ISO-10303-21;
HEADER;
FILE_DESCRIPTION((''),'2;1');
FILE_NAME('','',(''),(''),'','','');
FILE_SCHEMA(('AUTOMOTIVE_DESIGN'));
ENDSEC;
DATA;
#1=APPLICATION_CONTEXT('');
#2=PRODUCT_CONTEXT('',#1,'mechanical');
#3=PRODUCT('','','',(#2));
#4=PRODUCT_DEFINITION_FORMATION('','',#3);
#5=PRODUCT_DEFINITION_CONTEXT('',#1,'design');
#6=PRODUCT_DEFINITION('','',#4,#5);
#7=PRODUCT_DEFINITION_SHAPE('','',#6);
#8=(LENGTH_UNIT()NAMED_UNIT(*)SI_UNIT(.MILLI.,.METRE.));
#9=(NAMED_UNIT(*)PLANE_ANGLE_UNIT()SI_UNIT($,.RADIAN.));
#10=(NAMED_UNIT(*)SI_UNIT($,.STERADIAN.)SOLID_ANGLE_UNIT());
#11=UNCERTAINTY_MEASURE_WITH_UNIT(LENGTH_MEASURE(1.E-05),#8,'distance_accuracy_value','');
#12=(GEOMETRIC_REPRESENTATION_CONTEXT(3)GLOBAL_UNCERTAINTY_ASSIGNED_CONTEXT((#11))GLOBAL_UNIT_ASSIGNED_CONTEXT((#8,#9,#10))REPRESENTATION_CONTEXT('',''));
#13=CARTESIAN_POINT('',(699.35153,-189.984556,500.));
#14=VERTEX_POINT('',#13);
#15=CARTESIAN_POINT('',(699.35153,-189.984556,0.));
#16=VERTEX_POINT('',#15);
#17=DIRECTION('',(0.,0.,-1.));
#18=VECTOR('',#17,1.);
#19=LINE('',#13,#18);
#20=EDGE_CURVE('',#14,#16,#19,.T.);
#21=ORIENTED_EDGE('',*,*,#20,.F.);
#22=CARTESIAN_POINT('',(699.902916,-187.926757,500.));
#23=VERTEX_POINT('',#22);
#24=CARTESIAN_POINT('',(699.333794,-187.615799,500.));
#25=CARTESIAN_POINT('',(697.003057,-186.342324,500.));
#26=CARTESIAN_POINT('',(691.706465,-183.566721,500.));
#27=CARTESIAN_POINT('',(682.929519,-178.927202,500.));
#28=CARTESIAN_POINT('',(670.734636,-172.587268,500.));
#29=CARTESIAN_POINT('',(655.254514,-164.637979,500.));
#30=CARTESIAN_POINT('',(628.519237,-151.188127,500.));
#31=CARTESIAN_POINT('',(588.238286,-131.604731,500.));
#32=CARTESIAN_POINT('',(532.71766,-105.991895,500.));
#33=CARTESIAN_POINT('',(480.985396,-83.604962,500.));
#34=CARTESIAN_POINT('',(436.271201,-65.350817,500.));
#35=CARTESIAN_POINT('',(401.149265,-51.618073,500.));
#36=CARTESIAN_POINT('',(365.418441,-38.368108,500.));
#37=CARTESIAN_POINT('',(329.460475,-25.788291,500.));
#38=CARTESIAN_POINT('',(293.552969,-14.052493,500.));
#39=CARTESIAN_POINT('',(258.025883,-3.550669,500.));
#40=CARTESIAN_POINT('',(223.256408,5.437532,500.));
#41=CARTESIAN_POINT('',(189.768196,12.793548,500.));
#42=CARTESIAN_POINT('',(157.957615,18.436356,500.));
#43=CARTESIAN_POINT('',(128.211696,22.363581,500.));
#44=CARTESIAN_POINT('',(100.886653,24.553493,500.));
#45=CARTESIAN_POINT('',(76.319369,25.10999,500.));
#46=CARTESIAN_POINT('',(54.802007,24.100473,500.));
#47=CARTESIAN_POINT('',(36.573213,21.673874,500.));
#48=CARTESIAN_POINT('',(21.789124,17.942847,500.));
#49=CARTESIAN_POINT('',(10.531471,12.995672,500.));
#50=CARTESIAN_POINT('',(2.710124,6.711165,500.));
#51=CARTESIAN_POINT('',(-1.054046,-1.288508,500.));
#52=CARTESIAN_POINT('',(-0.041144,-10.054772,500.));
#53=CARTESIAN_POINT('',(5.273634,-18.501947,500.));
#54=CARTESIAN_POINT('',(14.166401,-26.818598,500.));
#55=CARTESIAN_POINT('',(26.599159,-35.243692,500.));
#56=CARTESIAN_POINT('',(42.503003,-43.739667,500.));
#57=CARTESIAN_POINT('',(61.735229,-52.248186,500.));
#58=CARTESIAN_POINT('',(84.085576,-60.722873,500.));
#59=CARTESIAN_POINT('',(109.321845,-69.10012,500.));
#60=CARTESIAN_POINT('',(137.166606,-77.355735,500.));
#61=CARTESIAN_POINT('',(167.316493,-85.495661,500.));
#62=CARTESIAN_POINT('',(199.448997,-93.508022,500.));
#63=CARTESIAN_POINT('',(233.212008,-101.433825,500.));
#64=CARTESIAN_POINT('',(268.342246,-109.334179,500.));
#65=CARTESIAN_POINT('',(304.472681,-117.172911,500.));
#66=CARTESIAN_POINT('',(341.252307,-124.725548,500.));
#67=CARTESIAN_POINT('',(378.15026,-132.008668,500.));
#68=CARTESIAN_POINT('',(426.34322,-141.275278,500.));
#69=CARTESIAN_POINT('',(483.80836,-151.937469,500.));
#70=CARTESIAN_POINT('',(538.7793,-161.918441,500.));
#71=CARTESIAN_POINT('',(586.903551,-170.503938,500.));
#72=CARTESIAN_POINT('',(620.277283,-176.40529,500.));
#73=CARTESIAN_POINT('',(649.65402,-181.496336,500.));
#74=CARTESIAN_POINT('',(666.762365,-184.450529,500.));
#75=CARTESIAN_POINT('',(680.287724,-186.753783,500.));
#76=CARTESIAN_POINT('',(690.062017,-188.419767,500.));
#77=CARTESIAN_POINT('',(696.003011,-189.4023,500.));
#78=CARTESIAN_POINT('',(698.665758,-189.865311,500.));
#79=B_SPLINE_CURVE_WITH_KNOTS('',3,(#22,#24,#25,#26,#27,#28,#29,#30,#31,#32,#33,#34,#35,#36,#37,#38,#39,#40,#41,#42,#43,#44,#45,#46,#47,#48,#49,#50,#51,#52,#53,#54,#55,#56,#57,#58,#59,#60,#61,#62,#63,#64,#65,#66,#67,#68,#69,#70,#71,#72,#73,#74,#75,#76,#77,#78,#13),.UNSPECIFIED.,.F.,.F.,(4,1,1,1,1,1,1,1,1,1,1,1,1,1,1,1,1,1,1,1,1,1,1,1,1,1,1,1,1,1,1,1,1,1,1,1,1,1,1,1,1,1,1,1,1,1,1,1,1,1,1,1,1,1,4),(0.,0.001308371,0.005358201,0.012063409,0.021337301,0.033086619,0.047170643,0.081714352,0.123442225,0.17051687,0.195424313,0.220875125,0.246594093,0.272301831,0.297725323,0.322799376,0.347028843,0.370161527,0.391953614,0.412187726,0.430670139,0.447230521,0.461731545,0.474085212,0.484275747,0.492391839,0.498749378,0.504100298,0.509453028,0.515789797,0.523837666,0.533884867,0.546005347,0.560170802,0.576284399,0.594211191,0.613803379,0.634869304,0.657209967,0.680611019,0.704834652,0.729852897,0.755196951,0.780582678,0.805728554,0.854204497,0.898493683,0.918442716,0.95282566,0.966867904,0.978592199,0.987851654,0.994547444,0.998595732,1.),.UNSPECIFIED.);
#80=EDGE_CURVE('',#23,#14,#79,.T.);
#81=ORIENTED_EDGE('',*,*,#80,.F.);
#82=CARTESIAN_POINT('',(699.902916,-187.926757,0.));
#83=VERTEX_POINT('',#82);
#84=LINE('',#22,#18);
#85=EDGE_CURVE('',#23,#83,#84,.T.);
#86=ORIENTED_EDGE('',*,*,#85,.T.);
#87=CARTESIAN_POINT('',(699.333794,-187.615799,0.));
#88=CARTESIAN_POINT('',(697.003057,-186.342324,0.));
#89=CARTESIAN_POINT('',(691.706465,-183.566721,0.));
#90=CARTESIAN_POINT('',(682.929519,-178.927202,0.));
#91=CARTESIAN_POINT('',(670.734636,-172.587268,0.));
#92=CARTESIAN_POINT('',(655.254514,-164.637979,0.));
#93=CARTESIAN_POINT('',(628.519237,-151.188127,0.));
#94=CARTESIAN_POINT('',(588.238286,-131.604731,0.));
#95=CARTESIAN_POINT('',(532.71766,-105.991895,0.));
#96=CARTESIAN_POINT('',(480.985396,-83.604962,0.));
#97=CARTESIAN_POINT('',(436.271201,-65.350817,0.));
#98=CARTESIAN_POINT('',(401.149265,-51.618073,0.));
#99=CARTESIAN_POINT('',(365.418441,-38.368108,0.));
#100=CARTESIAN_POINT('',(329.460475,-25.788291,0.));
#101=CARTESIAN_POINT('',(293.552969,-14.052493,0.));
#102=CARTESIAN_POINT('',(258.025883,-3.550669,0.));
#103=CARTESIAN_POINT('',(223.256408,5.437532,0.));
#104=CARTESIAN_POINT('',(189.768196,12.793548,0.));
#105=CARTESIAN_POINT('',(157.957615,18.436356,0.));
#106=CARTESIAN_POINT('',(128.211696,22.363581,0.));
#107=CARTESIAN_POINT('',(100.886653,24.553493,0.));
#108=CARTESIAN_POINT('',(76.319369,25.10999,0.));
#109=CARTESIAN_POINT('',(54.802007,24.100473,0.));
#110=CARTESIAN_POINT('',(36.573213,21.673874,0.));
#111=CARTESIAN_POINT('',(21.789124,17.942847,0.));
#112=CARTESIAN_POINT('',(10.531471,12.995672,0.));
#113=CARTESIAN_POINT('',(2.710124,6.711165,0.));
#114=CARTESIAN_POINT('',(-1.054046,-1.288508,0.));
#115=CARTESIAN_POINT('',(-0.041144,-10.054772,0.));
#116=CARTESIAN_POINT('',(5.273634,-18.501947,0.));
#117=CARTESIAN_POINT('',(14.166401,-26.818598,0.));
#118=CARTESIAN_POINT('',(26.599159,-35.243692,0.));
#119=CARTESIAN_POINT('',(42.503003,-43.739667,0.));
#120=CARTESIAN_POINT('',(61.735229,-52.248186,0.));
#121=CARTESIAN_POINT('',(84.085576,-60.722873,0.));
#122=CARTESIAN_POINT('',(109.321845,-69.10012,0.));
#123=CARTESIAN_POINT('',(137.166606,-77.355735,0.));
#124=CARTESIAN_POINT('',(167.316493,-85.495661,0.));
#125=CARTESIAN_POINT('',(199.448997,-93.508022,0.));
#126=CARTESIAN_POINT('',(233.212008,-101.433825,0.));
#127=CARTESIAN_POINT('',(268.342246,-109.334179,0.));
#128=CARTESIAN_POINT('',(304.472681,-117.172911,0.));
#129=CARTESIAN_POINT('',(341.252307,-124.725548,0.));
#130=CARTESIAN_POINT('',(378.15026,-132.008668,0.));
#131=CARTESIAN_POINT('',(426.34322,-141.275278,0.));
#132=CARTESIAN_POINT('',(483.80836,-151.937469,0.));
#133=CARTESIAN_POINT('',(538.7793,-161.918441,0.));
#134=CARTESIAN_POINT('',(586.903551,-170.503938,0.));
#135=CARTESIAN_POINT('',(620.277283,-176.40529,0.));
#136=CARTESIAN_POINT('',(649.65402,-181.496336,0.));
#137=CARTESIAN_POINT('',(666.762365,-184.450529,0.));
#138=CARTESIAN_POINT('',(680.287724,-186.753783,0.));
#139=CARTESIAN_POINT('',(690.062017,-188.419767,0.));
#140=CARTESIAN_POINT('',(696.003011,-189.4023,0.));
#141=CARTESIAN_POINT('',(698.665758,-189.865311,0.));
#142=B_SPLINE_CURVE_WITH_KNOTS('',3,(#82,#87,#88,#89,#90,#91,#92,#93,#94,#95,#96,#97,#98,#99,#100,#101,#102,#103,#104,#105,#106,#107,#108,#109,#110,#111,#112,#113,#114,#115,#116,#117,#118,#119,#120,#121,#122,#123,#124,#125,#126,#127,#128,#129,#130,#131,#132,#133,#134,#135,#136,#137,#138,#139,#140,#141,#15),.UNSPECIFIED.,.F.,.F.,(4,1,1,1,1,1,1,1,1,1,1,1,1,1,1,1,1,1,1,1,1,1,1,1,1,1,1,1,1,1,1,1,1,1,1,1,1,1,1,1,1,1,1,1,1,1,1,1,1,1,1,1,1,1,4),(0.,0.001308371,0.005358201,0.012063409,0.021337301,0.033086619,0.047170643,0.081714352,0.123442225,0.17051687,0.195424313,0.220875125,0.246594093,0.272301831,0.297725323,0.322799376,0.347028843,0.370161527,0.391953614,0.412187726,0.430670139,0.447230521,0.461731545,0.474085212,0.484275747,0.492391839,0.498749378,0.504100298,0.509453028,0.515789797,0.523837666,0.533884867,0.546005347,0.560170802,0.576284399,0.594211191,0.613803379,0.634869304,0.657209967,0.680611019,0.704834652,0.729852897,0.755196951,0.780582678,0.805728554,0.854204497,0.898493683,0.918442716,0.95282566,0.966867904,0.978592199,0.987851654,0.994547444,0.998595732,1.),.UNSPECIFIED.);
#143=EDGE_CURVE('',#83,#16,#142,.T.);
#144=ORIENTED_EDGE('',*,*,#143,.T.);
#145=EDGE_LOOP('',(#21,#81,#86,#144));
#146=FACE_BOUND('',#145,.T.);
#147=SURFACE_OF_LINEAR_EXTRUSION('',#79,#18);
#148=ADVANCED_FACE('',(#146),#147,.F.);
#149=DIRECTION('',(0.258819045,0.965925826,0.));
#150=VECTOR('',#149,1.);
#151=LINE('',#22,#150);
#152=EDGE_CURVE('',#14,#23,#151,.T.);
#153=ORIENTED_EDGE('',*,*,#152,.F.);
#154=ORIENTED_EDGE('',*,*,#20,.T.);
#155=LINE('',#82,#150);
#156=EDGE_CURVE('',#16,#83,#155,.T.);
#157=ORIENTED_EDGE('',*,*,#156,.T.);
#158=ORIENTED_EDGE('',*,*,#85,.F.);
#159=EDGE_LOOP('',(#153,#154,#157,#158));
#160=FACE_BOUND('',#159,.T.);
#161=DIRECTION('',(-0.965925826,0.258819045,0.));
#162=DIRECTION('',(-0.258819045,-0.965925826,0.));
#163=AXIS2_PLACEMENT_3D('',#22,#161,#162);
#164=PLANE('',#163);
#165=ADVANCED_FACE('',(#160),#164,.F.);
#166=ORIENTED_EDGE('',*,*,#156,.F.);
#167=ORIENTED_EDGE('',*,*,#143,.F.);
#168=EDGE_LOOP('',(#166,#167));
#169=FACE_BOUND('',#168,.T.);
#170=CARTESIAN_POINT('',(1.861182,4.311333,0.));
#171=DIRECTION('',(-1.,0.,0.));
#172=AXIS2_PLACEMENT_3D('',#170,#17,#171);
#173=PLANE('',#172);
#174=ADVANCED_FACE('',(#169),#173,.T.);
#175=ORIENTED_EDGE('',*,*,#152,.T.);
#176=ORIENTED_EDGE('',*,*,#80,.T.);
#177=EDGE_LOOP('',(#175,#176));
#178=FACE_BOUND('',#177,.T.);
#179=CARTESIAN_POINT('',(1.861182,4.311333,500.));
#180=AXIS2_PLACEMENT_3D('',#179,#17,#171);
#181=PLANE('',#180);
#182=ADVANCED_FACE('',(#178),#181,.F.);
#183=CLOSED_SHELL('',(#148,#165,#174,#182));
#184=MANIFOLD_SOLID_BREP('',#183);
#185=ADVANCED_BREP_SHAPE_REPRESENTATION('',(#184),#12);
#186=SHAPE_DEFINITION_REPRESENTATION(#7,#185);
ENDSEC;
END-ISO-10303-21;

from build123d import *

# Parameters (mm, degrees)
DODANIE_WYCI_GNI_CIE2_DEPTH = 500


with BuildPart() as part:
    # Szkic1 → Dodanie-wyciągnięcie2 (new body)
    with BuildSketch(Plane.XY):
        with BuildLine():
            Line((699.902915977, -187.926757208), (699.351530357, -189.984556357))
            add(Edge.make_bspline(
                [(699.902915977, -187.926757208), (699.333794344, -187.615798785), (697.003057499, -186.342323642), (691.706465499, -183.566720524), (682.929518691, -178.927202269), (670.734635911, -172.587268295), (655.254514276, -164.637979222), (628.519237017, -151.188127115), (588.2382858, -131.604730885), (532.717659996, -105.991894715), (480.985396172, -83.604961711), (436.271200745, -65.350816584), (401.149264546, -51.618072887), (365.418441055, -38.368108411), (329.46047528, -25.788291003), (293.552968994, -14.052492944), (258.02588302, -3.550668836), (223.256407786, 5.437532488), (189.76819649, 12.79354843), (157.957614771, 18.436356413), (128.211696153, 22.363581301), (100.886653181, 24.55349314), (76.319368996, 25.109989559), (54.802006759, 24.100472846), (36.5732127, 21.673874283), (21.789123743, 17.94284728), (10.531470943, 12.995671842), (2.710123932, 6.711164746), (-1.054045771, -1.288507775), (-0.041143615, -10.05477163), (5.273634228, -18.501947253), (14.166400909, -26.818597556), (26.599158793, -35.243691626), (42.503003424, -43.739666751), (61.735229334, -52.248186084), (84.085575822, -60.722872746), (109.321844713, -69.100119929), (137.166605657, -77.355735148), (167.316492874, -85.495660826), (199.448997482, -93.508022464), (233.212008302, -101.433824974), (268.342246073, -109.334179404), (304.472681481, -117.172911095), (341.252306909, -124.725547977), (378.15025982, -132.008668483), (426.343219841, -141.27527826), (483.808360162, -151.937469492), (538.779300071, -161.918440968), (586.903551236, -170.503937686), (620.27728308, -176.405289666), (649.654019662, -181.496335843), (666.76236497, -184.450528708), (680.28772408, -186.753782535), (690.062017241, -188.419767077), (696.003010613, -189.402300451), (698.665758079, -189.865311141), (699.351530357, -189.984556357)],
                knots=[0, 0, 0, 0, 0.001308371, 0.005358201, 0.012063409, 0.021337301, 0.033086619, 0.047170643, 0.081714352, 0.123442225, 0.17051687, 0.195424313, 0.220875125, 0.246594093, 0.272301831, 0.297725323, 0.322799376, 0.347028843, 0.370161527, 0.391953614, 0.412187726, 0.430670139, 0.447230521, 0.461731545, 0.474085212, 0.484275747, 0.492391839, 0.498749378, 0.504100298, 0.509453028, 0.515789797, 0.523837666, 0.533884867, 0.546005347, 0.560170802, 0.576284399, 0.594211191, 0.613803379, 0.634869304, 0.657209967, 0.680611019, 0.704834652, 0.729852897, 0.755196951, 0.780582678, 0.805728554, 0.854204497, 0.898493683, 0.918442716, 0.95282566, 0.966867904, 0.978592199, 0.987851654, 0.994547444, 0.998595732, 1, 1, 1, 1], degree=3))
        make_face()
    extrude(amount=DODANIE_WYCI_GNI_CIE2_DEPTH)


solid = part.part
